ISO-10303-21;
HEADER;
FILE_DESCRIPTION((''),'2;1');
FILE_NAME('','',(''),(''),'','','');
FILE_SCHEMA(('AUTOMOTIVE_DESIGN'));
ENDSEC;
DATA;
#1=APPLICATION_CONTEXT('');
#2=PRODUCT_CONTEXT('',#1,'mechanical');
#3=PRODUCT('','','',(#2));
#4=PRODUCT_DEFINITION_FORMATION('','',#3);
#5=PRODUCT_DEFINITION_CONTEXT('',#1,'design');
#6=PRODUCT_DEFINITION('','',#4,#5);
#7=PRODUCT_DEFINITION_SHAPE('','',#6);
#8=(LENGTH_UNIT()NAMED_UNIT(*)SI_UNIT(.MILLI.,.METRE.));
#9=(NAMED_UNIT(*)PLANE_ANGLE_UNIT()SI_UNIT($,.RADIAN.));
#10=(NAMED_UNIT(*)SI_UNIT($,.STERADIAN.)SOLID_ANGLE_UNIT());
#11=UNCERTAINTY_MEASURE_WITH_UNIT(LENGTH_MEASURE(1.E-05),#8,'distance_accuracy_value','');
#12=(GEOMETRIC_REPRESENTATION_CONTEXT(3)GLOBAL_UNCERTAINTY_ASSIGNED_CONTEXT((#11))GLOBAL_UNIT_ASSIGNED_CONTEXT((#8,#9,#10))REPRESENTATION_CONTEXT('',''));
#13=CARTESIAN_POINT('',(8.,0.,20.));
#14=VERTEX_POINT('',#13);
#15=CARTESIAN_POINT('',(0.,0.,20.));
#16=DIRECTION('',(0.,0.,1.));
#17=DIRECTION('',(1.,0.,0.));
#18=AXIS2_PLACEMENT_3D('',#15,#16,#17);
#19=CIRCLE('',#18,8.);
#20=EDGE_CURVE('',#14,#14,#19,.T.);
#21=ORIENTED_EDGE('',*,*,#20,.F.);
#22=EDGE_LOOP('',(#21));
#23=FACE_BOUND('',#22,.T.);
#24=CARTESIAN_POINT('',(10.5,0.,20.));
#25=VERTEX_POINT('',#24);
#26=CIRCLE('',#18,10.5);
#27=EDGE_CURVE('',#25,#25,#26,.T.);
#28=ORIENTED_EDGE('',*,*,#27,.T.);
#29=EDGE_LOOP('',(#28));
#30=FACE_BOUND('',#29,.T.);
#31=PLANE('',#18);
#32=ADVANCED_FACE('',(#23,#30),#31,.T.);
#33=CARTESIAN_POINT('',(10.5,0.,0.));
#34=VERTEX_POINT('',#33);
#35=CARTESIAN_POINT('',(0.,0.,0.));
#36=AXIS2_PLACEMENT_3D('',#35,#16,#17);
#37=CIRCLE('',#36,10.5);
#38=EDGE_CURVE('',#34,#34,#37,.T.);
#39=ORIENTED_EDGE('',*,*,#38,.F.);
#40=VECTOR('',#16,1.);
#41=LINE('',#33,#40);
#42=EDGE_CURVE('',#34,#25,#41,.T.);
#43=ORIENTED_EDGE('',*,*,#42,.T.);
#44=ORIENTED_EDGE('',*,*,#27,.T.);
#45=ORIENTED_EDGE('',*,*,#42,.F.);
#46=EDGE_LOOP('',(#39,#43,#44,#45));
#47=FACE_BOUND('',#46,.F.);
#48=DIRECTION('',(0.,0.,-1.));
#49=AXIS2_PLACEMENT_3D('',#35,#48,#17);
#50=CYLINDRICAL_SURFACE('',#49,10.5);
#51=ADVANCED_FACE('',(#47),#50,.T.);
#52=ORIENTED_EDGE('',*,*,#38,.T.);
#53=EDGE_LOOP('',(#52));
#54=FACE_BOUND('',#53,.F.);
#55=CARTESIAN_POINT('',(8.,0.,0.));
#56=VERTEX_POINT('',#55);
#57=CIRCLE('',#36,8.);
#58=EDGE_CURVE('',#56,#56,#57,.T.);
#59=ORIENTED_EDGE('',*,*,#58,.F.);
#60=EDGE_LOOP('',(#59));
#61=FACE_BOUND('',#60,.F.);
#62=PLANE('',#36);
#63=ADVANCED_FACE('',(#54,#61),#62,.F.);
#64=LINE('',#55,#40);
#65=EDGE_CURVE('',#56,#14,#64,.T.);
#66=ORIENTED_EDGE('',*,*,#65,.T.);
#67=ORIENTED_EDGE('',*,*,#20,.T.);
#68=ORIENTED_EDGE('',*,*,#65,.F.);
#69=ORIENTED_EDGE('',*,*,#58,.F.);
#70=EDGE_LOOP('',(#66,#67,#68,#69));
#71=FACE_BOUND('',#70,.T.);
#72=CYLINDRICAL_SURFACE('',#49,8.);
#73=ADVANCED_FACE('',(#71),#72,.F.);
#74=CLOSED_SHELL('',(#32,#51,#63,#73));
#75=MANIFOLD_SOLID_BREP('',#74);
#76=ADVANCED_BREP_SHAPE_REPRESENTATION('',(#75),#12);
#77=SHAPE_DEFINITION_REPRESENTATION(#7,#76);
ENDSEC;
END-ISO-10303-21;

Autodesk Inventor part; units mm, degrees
ref_plane "YZ Plane" through (0, 0, 0) normal (1, 0, 0) x (0, 1, 0)
ref_plane "XZ Plane" through (0, 0, 0) normal (0, 1, 0) x (-1, 0, 0)
ref_plane "XY Plane" through (0, 0, 0) normal (0, 0, 1) x (1, 0, 0)
sketch "Sketch1" plane through (0, 0, 0) normal (0, 0, 1) x (1, 0, 0)
  circle A0 centre (0, 0) radius 10.5
  circle A1 centre (0, 0) radius 8
  dimension "d0" = 21
  dimension "d1" = 16
extrude "Extrusion1" add sketch "Sketch1" along normal blind 20
properties part number "TKS dummy pipe nippel" material "Stainless Steel"
